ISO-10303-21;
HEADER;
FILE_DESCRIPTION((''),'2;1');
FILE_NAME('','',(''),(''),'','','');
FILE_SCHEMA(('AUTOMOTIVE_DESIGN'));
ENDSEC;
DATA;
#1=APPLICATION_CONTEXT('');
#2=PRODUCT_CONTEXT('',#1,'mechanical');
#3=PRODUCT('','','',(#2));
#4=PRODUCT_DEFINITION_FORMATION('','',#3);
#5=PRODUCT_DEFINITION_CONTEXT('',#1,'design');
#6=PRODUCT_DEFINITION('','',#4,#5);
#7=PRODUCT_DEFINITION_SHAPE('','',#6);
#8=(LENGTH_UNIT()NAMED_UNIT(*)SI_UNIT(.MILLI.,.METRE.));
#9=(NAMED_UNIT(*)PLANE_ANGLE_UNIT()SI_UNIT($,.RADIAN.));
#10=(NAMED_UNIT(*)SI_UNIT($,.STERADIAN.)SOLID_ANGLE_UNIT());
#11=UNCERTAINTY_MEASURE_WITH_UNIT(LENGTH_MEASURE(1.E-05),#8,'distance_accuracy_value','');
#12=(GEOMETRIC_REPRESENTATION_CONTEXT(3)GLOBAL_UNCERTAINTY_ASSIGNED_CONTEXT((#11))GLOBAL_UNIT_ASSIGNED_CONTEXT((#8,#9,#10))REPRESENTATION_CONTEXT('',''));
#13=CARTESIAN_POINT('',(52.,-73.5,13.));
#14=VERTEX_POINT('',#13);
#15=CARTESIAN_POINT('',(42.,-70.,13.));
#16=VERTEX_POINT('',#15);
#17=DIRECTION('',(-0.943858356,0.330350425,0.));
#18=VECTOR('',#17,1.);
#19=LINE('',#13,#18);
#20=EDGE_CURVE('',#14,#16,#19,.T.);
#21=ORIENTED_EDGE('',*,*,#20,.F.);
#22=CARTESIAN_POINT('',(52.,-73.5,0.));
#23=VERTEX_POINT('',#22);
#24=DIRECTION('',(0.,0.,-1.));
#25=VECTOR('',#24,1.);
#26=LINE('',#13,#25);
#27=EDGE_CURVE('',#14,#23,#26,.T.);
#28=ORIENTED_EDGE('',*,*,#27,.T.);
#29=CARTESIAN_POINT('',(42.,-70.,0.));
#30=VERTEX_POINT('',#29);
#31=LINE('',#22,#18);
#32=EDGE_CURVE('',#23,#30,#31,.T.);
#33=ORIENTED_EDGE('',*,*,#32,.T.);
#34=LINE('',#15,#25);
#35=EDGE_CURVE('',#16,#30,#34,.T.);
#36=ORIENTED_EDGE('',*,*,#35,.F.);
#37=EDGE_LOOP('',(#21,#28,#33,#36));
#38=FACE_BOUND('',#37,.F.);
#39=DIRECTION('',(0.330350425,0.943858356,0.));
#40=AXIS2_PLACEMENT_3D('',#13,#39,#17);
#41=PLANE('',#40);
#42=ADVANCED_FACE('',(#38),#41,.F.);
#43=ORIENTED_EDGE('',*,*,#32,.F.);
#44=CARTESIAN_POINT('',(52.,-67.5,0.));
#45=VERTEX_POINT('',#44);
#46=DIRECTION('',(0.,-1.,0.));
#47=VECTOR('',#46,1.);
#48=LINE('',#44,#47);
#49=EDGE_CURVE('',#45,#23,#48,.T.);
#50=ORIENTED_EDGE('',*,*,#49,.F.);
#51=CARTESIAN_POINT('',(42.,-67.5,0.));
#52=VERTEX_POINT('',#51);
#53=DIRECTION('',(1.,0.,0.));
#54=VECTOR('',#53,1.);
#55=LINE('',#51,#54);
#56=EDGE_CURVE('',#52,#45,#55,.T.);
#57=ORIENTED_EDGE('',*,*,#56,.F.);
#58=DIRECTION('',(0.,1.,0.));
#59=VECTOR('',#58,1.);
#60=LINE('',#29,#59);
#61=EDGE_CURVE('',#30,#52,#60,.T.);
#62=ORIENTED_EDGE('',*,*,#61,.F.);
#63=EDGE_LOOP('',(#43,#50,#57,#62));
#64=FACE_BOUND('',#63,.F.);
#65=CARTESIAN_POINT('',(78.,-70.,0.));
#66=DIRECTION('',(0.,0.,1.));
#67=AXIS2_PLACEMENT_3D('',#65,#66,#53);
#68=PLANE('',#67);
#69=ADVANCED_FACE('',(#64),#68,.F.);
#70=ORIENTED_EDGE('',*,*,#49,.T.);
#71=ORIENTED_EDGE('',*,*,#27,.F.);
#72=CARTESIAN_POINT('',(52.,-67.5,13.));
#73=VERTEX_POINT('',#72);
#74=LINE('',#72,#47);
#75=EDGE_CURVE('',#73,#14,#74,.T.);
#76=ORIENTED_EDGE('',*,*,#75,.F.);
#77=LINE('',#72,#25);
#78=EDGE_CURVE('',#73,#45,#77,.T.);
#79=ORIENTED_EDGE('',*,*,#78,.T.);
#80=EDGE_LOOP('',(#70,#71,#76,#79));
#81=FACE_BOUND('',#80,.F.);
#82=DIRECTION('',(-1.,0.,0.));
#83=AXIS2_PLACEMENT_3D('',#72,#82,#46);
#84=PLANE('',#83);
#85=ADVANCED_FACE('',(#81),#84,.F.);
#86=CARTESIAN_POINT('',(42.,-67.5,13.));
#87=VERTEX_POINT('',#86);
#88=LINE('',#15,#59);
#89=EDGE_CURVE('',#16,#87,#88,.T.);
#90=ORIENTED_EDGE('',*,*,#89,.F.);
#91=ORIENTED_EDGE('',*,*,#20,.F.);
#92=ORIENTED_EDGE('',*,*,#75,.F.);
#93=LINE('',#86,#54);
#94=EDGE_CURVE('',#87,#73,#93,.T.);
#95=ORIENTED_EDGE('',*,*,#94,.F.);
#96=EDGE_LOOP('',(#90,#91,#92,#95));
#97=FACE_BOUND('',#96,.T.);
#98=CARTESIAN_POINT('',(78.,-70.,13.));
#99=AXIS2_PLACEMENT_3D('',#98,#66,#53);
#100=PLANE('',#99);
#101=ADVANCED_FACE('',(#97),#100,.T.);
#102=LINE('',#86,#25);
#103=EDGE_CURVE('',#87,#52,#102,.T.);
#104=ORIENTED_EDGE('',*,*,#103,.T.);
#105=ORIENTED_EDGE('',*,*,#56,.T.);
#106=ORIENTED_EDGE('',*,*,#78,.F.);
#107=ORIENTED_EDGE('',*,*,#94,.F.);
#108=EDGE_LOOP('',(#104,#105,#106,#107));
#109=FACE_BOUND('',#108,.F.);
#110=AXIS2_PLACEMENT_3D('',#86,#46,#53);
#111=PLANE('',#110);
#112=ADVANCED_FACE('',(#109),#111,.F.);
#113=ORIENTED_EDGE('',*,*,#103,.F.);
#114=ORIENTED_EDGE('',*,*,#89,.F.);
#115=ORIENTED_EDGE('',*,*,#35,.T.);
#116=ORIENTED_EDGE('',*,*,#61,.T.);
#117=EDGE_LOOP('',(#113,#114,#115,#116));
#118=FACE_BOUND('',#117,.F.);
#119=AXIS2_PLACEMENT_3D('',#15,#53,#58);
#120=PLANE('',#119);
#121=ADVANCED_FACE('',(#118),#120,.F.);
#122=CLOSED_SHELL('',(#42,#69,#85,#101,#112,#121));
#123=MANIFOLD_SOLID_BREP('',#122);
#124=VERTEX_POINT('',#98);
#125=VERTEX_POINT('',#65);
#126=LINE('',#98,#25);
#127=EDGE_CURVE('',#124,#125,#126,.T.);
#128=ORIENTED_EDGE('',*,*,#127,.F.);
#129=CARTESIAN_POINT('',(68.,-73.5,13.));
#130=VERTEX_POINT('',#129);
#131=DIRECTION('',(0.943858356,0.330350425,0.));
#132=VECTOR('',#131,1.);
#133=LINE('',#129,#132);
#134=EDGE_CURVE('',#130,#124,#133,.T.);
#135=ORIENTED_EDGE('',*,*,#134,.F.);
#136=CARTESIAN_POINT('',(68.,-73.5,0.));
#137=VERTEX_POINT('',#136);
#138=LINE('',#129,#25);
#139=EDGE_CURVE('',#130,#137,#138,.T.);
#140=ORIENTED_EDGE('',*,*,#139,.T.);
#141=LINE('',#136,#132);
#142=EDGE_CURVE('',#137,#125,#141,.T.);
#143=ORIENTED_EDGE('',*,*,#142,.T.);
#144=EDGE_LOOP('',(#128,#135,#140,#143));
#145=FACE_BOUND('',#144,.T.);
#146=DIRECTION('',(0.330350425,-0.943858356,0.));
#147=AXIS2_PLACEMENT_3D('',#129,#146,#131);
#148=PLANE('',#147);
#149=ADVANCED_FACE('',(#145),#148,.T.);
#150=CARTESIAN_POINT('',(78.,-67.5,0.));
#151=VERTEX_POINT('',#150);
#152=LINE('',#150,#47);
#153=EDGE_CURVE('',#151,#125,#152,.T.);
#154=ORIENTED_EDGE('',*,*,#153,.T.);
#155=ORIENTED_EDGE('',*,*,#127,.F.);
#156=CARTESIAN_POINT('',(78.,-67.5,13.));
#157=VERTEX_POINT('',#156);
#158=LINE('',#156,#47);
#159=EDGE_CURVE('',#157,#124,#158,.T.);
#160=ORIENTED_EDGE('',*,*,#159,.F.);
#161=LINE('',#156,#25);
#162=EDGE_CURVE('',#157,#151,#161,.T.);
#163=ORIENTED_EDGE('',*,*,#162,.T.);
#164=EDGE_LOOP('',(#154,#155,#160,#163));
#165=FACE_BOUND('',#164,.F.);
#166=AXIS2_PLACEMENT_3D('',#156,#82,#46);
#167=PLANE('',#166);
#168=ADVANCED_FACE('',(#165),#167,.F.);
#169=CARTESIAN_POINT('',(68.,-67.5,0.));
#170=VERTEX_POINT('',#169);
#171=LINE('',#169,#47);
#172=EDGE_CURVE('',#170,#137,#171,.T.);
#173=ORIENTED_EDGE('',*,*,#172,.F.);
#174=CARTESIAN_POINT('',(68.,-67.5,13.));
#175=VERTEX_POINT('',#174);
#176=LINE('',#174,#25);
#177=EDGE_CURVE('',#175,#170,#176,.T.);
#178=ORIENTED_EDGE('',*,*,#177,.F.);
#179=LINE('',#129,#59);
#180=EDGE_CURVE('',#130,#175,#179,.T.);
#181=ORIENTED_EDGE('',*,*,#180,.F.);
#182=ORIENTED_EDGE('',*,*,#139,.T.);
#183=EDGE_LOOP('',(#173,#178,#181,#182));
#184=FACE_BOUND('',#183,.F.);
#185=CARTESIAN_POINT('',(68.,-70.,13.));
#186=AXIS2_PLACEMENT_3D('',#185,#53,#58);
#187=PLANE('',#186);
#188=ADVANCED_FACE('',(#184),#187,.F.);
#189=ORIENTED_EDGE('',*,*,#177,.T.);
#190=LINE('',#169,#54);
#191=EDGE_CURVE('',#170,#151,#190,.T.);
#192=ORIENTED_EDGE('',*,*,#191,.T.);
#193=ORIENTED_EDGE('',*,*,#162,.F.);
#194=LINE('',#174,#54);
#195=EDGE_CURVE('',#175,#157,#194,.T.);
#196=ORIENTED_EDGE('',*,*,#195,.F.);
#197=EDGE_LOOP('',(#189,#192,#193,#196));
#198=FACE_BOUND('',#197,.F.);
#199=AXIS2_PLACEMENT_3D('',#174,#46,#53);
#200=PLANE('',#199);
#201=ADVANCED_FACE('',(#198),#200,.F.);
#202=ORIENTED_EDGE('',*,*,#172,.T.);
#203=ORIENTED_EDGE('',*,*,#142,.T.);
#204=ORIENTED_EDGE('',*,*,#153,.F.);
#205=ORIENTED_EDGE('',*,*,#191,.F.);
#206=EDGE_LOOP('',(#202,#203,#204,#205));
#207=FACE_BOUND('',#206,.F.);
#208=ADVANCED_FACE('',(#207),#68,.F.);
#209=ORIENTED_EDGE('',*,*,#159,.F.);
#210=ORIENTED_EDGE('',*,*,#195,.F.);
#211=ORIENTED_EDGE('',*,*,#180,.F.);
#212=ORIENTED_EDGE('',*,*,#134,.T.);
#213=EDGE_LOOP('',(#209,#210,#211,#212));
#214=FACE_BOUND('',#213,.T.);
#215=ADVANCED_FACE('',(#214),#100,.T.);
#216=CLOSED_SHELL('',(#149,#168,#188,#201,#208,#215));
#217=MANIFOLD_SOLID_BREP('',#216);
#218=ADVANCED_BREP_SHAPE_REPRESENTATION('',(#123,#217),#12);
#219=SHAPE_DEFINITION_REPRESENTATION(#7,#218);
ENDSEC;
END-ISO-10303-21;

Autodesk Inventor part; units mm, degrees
ref_plane "YZ Plane" through (0, 0, 0) normal (1, 0, 0) x (0, 1, 0)
ref_plane "XZ Plane" through (0, 0, 0) normal (0, 1, 0) x (-1, 0, 0)
ref_plane "XY Plane" through (0, 0, 0) normal (0, 0, 1) x (1, 0, 0)
sketch "Szkic1" plane through (78, -70, 13) normal (0, 0, 1) x (1, 0, 0)
  line L0 (-10, 0) -> (-10, -3.5)
  line L1 (-10, -3.5) -> (0, 0)
  line L2 (-10, 0) -> (-10, 2.5)
  line L3 (-10, 2.5) -> (0, 2.5)
  line L4 (0, 2.5) -> (0, 0)
  line L5 (-36, 0) -> (-36, 2.5)
  line L6 (-36, 2.5) -> (-26, 2.5)
  line L7 (-26, 2.5) -> (-26, -3.5)
  line L8 (-26, -3.5) -> (-36, 0)
  point P0 (-78, 70)
  dimension "d0" = 10
  dimension "d1" = 3.5
  dimension "d4" = 2.5
  dimension "d5" = 36
  dimension "d6" = 10
  dimension "d7" = 10
extrude "Wyciągnięcie proste1" add sketch "Szkic1" against normal blind 13
properties part number "N20"
